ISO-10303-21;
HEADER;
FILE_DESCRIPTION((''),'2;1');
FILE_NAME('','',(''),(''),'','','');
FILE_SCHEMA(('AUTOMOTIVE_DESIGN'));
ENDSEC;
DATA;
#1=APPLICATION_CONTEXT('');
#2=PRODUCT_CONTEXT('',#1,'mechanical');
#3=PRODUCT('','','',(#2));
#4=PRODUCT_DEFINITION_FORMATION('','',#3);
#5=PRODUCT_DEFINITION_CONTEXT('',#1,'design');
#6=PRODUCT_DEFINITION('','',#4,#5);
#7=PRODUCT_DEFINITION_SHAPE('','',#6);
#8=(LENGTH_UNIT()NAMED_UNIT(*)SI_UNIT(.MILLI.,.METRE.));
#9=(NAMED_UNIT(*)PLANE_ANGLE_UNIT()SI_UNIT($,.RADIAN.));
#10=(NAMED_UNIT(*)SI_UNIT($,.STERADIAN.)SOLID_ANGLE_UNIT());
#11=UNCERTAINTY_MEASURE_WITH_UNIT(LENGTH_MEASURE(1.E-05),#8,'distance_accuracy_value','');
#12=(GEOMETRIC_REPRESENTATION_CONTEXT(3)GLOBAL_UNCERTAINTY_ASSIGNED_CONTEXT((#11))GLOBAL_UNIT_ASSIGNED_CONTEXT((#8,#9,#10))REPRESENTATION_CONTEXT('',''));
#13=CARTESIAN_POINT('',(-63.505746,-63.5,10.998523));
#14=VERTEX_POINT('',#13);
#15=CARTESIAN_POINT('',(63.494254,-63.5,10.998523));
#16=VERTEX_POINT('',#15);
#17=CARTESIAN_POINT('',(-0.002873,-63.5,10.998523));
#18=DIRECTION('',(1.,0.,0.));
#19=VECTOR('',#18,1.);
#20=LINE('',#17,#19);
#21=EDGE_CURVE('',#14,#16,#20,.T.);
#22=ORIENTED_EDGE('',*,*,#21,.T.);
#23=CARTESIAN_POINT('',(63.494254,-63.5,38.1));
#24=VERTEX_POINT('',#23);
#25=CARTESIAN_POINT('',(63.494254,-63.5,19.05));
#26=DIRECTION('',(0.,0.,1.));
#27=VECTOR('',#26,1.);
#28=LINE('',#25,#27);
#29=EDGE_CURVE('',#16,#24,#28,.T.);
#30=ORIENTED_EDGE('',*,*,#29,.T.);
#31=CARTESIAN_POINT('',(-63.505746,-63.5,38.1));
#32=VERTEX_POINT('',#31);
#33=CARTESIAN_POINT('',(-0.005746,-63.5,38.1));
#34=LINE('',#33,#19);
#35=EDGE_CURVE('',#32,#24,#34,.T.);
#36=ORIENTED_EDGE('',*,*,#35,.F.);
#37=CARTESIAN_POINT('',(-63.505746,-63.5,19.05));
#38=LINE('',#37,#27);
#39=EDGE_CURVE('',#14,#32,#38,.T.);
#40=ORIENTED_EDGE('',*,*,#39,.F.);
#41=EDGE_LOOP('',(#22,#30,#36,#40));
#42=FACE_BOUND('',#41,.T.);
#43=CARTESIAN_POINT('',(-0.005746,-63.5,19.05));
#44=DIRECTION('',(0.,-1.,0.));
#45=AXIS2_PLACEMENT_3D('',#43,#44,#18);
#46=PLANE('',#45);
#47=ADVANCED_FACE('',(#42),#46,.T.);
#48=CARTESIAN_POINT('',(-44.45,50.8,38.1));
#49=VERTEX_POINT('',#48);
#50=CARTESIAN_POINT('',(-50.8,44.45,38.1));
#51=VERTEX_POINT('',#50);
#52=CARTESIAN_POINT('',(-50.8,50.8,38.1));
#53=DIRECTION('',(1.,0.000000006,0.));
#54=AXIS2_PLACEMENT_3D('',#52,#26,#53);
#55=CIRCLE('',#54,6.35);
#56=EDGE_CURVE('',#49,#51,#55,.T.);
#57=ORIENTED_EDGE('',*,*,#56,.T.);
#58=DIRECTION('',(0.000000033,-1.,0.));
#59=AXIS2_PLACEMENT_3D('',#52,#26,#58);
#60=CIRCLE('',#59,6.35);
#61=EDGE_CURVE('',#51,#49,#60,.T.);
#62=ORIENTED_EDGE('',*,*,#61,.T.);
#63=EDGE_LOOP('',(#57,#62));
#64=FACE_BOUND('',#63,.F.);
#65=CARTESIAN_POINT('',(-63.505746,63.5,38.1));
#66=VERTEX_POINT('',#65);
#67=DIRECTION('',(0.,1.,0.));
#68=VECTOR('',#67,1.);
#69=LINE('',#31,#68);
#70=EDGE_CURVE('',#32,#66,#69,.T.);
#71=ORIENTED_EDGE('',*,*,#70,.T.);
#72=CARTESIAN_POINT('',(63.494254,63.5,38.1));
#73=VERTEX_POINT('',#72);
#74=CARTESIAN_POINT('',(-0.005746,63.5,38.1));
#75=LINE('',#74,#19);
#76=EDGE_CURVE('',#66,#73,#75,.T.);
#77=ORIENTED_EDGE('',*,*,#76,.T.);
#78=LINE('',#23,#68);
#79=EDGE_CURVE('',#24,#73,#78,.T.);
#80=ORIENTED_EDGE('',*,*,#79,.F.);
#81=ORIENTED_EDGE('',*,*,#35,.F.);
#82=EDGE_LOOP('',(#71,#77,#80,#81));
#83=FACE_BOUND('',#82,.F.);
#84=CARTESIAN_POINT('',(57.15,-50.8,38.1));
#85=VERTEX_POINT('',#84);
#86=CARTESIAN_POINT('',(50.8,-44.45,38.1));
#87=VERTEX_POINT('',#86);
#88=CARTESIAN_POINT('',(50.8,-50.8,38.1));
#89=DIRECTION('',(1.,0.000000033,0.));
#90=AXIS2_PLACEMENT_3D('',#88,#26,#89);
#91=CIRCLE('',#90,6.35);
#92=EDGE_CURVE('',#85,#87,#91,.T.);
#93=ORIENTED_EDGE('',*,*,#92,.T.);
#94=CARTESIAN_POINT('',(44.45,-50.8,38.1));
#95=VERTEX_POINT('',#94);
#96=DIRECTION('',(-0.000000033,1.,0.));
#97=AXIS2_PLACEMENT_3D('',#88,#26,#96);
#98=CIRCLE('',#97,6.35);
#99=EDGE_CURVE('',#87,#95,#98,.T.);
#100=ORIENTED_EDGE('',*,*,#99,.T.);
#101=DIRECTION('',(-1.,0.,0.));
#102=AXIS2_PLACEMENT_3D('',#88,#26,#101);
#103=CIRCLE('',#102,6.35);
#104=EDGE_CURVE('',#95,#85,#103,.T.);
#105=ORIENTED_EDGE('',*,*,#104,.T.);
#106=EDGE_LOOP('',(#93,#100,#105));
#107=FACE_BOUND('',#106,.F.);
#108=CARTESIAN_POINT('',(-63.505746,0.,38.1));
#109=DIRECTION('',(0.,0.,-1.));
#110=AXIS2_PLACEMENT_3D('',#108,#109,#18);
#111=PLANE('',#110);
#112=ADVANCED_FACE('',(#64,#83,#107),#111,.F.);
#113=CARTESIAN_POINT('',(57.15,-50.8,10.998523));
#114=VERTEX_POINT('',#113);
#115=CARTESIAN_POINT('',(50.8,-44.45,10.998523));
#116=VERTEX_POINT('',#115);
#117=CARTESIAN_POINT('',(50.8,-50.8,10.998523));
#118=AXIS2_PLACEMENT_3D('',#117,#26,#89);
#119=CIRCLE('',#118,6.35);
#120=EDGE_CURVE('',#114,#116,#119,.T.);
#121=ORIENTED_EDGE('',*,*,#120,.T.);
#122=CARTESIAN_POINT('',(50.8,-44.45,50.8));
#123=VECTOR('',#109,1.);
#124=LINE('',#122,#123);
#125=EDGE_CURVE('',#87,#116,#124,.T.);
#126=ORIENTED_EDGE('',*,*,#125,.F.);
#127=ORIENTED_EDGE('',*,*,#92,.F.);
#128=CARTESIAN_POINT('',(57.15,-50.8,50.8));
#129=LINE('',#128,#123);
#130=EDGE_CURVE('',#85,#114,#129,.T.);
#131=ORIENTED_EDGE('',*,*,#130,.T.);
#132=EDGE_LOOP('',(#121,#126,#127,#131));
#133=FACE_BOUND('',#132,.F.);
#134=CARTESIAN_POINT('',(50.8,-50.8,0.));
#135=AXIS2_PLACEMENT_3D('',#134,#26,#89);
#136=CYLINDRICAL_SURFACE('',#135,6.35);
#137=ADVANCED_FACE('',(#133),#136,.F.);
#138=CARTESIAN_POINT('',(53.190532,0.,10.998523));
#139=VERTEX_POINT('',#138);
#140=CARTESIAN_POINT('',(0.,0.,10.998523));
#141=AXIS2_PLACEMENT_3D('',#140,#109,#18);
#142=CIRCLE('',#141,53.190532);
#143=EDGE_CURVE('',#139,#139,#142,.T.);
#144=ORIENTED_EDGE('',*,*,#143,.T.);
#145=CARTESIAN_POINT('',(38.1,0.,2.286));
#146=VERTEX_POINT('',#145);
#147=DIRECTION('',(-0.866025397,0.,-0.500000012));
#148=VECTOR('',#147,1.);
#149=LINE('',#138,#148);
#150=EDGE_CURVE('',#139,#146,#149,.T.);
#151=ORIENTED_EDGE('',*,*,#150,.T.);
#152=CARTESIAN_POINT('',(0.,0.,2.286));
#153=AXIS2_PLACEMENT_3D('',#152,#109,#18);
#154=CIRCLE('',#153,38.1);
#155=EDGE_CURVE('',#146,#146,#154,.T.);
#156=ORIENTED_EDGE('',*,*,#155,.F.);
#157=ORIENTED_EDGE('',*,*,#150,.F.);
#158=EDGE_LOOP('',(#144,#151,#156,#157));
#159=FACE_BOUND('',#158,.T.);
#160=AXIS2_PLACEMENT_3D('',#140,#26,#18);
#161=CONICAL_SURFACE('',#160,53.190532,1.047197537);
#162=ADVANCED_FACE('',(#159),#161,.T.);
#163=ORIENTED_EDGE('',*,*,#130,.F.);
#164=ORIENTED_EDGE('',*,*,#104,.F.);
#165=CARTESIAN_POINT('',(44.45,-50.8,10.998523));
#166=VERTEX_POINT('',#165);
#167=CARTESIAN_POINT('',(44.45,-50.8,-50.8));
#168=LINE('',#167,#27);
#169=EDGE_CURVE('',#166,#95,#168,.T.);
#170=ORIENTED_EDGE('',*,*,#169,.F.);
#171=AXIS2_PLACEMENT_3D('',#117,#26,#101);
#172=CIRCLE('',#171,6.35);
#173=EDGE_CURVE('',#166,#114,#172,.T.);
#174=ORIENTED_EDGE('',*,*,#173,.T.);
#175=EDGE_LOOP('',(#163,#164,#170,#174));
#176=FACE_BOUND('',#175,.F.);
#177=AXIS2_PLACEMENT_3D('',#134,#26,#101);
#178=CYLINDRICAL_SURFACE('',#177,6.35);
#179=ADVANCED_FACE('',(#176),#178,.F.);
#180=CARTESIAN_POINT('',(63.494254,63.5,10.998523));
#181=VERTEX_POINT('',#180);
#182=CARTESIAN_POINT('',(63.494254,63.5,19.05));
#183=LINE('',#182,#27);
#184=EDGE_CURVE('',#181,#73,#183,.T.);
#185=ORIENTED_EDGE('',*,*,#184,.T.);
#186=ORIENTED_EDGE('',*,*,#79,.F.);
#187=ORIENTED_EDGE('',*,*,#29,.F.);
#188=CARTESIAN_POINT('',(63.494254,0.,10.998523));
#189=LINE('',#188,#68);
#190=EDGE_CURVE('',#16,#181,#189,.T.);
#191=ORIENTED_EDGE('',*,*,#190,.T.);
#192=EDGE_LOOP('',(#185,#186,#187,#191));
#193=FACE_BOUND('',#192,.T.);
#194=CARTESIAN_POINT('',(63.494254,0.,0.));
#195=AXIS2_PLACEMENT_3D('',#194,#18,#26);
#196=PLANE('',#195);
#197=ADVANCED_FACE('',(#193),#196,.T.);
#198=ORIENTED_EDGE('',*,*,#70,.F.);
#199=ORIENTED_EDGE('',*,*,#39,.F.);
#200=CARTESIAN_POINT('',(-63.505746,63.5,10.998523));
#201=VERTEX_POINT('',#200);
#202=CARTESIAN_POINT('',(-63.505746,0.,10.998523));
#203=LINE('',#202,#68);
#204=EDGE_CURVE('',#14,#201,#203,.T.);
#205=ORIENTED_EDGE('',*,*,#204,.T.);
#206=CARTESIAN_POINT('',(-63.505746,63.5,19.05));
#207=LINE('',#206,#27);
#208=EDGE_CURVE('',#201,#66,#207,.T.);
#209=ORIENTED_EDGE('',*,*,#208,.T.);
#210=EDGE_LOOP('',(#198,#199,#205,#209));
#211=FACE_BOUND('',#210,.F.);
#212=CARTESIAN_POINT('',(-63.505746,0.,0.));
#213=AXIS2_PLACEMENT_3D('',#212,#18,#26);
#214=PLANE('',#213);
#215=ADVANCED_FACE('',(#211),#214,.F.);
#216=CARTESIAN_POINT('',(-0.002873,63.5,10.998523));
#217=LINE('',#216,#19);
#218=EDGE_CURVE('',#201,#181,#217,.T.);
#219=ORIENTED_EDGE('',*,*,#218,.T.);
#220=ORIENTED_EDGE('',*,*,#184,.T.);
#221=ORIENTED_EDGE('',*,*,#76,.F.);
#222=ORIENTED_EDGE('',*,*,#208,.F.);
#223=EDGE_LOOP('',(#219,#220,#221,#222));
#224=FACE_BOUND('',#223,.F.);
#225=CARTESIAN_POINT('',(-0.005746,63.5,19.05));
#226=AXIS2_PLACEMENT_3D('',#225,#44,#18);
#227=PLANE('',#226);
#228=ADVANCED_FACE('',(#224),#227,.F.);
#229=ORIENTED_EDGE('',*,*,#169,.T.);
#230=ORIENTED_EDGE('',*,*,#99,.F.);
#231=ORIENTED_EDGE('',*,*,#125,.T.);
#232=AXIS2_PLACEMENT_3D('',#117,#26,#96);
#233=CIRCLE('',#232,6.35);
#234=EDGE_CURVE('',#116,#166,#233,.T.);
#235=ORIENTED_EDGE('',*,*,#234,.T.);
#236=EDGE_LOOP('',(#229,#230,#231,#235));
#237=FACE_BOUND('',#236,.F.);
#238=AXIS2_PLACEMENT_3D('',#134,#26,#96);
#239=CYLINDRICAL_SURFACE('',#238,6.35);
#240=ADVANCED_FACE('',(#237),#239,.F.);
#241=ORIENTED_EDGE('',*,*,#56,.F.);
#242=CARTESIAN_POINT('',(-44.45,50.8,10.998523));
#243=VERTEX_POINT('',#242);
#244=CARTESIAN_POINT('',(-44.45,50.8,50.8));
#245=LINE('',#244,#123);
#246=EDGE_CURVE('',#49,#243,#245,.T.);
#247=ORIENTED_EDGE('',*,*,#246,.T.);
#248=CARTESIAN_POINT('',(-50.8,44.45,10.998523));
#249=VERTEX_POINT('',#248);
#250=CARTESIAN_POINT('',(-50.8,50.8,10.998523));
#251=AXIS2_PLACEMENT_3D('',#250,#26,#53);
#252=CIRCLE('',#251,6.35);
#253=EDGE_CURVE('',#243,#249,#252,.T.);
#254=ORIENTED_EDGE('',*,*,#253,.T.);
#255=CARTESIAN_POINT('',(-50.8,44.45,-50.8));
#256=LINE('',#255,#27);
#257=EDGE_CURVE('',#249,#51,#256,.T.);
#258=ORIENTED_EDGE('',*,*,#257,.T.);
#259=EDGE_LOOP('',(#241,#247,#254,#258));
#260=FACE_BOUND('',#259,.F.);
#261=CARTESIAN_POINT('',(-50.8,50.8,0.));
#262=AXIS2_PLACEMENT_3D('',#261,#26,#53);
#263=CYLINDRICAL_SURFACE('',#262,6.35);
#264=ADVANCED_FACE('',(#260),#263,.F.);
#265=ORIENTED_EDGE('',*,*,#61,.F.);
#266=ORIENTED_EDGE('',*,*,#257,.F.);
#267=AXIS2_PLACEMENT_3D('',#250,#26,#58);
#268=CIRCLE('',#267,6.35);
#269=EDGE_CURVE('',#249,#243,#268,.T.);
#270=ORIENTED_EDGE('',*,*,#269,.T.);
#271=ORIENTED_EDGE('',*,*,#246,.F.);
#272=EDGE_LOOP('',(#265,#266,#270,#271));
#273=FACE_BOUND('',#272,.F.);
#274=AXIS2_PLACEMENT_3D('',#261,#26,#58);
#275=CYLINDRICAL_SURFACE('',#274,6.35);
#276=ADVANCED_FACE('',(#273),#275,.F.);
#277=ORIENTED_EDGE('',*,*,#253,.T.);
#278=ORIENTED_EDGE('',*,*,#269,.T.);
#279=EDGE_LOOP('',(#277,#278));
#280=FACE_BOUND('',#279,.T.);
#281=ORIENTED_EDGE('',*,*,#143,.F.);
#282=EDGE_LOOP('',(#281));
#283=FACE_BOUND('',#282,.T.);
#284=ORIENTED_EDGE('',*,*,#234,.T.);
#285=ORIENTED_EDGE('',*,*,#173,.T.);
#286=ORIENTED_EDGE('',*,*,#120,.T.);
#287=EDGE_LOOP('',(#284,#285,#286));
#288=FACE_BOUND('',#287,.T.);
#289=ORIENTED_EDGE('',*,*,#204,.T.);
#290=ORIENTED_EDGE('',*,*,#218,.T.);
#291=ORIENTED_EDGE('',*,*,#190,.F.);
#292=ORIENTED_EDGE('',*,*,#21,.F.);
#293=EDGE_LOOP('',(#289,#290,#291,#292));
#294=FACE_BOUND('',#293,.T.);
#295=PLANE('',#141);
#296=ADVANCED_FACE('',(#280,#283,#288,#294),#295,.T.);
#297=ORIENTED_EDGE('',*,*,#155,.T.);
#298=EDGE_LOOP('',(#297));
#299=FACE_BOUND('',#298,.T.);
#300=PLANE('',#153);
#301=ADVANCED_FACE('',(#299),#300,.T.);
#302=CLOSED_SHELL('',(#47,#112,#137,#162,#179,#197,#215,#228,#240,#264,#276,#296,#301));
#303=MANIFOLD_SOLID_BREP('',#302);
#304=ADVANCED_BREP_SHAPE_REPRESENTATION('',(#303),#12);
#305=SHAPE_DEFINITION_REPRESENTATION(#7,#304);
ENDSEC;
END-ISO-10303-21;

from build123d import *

# Parameters (mm, degrees)
F1_W     = 127
F1_H     = 38.1
F2_DEPTH = 63.5
F5_DEPTH = 50.8
F7_DEPTH = 50.8


with BuildPart() as f2:
    # F1 (on Front) → F2 (new body, symmetric)
    with BuildSketch(Plane.XZ):
        with Locations((-0.005746, 19.05)):
            Rectangle(F1_W, F1_H)
    extrude(amount=F2_DEPTH, both=True)

    # F0 (on Front) → F3 (revolve, cut)
    with BuildSketch(Plane.XZ):
        Polygon((53.190532, 10.998523), (38.1, 2.286), (0, 2.286), (0, 0), (132.006165, 0), (132.006165, 10.998523), align=None)
    revolve(axis=Axis((0, 0, 1.143), (0, 0, -1)), mode=Mode.SUBTRACT)

    # F4 (on Top) → F5 (cut, symmetric)
    with BuildSketch(Plane.XY):
        with BuildLine():
            Line((-50.8, 44.45), (-50.8, 50.8))
            Line((-50.8, 50.8), (-44.45, 50.8))
            ThreePointArc((-44.45, 50.8), (-55.290128, 55.290128), (-50.8, 44.45))
        make_face()
        with BuildLine():
            Line((-44.45, 50.8), (-50.8, 50.8))
            Line((-50.8, 50.8), (-50.8, 44.45))
            ThreePointArc((-50.8, 44.45), (-46.309872, 46.309872), (-44.45, 50.8))
        make_face()
    extrude(amount=F5_DEPTH, both=True, mode=Mode.SUBTRACT)

    # F6 (on Top) → F7 (cut, symmetric)
    with BuildSketch(Plane.XY):
        with BuildLine():
            ThreePointArc((50.8, -44.45), (46.309872, -46.309872), (44.45, -50.8))
            Line((44.45, -50.8), (50.8, -50.8))
            Line((50.8, -50.8), (50.8, -44.45))
        make_face()
        with BuildLine():
            Line((50.8, -50.8), (44.45, -50.8))
            ThreePointArc((44.45, -50.8), (50.8, -57.15), (57.15, -50.8))
            ThreePointArc((57.15, -50.8), (55.290128, -46.309872), (50.8, -44.45))
            Line((50.8, -44.45), (50.8, -50.8))
        make_face()
    extrude(amount=F7_DEPTH, both=True, mode=Mode.SUBTRACT)


solid = f2.part
